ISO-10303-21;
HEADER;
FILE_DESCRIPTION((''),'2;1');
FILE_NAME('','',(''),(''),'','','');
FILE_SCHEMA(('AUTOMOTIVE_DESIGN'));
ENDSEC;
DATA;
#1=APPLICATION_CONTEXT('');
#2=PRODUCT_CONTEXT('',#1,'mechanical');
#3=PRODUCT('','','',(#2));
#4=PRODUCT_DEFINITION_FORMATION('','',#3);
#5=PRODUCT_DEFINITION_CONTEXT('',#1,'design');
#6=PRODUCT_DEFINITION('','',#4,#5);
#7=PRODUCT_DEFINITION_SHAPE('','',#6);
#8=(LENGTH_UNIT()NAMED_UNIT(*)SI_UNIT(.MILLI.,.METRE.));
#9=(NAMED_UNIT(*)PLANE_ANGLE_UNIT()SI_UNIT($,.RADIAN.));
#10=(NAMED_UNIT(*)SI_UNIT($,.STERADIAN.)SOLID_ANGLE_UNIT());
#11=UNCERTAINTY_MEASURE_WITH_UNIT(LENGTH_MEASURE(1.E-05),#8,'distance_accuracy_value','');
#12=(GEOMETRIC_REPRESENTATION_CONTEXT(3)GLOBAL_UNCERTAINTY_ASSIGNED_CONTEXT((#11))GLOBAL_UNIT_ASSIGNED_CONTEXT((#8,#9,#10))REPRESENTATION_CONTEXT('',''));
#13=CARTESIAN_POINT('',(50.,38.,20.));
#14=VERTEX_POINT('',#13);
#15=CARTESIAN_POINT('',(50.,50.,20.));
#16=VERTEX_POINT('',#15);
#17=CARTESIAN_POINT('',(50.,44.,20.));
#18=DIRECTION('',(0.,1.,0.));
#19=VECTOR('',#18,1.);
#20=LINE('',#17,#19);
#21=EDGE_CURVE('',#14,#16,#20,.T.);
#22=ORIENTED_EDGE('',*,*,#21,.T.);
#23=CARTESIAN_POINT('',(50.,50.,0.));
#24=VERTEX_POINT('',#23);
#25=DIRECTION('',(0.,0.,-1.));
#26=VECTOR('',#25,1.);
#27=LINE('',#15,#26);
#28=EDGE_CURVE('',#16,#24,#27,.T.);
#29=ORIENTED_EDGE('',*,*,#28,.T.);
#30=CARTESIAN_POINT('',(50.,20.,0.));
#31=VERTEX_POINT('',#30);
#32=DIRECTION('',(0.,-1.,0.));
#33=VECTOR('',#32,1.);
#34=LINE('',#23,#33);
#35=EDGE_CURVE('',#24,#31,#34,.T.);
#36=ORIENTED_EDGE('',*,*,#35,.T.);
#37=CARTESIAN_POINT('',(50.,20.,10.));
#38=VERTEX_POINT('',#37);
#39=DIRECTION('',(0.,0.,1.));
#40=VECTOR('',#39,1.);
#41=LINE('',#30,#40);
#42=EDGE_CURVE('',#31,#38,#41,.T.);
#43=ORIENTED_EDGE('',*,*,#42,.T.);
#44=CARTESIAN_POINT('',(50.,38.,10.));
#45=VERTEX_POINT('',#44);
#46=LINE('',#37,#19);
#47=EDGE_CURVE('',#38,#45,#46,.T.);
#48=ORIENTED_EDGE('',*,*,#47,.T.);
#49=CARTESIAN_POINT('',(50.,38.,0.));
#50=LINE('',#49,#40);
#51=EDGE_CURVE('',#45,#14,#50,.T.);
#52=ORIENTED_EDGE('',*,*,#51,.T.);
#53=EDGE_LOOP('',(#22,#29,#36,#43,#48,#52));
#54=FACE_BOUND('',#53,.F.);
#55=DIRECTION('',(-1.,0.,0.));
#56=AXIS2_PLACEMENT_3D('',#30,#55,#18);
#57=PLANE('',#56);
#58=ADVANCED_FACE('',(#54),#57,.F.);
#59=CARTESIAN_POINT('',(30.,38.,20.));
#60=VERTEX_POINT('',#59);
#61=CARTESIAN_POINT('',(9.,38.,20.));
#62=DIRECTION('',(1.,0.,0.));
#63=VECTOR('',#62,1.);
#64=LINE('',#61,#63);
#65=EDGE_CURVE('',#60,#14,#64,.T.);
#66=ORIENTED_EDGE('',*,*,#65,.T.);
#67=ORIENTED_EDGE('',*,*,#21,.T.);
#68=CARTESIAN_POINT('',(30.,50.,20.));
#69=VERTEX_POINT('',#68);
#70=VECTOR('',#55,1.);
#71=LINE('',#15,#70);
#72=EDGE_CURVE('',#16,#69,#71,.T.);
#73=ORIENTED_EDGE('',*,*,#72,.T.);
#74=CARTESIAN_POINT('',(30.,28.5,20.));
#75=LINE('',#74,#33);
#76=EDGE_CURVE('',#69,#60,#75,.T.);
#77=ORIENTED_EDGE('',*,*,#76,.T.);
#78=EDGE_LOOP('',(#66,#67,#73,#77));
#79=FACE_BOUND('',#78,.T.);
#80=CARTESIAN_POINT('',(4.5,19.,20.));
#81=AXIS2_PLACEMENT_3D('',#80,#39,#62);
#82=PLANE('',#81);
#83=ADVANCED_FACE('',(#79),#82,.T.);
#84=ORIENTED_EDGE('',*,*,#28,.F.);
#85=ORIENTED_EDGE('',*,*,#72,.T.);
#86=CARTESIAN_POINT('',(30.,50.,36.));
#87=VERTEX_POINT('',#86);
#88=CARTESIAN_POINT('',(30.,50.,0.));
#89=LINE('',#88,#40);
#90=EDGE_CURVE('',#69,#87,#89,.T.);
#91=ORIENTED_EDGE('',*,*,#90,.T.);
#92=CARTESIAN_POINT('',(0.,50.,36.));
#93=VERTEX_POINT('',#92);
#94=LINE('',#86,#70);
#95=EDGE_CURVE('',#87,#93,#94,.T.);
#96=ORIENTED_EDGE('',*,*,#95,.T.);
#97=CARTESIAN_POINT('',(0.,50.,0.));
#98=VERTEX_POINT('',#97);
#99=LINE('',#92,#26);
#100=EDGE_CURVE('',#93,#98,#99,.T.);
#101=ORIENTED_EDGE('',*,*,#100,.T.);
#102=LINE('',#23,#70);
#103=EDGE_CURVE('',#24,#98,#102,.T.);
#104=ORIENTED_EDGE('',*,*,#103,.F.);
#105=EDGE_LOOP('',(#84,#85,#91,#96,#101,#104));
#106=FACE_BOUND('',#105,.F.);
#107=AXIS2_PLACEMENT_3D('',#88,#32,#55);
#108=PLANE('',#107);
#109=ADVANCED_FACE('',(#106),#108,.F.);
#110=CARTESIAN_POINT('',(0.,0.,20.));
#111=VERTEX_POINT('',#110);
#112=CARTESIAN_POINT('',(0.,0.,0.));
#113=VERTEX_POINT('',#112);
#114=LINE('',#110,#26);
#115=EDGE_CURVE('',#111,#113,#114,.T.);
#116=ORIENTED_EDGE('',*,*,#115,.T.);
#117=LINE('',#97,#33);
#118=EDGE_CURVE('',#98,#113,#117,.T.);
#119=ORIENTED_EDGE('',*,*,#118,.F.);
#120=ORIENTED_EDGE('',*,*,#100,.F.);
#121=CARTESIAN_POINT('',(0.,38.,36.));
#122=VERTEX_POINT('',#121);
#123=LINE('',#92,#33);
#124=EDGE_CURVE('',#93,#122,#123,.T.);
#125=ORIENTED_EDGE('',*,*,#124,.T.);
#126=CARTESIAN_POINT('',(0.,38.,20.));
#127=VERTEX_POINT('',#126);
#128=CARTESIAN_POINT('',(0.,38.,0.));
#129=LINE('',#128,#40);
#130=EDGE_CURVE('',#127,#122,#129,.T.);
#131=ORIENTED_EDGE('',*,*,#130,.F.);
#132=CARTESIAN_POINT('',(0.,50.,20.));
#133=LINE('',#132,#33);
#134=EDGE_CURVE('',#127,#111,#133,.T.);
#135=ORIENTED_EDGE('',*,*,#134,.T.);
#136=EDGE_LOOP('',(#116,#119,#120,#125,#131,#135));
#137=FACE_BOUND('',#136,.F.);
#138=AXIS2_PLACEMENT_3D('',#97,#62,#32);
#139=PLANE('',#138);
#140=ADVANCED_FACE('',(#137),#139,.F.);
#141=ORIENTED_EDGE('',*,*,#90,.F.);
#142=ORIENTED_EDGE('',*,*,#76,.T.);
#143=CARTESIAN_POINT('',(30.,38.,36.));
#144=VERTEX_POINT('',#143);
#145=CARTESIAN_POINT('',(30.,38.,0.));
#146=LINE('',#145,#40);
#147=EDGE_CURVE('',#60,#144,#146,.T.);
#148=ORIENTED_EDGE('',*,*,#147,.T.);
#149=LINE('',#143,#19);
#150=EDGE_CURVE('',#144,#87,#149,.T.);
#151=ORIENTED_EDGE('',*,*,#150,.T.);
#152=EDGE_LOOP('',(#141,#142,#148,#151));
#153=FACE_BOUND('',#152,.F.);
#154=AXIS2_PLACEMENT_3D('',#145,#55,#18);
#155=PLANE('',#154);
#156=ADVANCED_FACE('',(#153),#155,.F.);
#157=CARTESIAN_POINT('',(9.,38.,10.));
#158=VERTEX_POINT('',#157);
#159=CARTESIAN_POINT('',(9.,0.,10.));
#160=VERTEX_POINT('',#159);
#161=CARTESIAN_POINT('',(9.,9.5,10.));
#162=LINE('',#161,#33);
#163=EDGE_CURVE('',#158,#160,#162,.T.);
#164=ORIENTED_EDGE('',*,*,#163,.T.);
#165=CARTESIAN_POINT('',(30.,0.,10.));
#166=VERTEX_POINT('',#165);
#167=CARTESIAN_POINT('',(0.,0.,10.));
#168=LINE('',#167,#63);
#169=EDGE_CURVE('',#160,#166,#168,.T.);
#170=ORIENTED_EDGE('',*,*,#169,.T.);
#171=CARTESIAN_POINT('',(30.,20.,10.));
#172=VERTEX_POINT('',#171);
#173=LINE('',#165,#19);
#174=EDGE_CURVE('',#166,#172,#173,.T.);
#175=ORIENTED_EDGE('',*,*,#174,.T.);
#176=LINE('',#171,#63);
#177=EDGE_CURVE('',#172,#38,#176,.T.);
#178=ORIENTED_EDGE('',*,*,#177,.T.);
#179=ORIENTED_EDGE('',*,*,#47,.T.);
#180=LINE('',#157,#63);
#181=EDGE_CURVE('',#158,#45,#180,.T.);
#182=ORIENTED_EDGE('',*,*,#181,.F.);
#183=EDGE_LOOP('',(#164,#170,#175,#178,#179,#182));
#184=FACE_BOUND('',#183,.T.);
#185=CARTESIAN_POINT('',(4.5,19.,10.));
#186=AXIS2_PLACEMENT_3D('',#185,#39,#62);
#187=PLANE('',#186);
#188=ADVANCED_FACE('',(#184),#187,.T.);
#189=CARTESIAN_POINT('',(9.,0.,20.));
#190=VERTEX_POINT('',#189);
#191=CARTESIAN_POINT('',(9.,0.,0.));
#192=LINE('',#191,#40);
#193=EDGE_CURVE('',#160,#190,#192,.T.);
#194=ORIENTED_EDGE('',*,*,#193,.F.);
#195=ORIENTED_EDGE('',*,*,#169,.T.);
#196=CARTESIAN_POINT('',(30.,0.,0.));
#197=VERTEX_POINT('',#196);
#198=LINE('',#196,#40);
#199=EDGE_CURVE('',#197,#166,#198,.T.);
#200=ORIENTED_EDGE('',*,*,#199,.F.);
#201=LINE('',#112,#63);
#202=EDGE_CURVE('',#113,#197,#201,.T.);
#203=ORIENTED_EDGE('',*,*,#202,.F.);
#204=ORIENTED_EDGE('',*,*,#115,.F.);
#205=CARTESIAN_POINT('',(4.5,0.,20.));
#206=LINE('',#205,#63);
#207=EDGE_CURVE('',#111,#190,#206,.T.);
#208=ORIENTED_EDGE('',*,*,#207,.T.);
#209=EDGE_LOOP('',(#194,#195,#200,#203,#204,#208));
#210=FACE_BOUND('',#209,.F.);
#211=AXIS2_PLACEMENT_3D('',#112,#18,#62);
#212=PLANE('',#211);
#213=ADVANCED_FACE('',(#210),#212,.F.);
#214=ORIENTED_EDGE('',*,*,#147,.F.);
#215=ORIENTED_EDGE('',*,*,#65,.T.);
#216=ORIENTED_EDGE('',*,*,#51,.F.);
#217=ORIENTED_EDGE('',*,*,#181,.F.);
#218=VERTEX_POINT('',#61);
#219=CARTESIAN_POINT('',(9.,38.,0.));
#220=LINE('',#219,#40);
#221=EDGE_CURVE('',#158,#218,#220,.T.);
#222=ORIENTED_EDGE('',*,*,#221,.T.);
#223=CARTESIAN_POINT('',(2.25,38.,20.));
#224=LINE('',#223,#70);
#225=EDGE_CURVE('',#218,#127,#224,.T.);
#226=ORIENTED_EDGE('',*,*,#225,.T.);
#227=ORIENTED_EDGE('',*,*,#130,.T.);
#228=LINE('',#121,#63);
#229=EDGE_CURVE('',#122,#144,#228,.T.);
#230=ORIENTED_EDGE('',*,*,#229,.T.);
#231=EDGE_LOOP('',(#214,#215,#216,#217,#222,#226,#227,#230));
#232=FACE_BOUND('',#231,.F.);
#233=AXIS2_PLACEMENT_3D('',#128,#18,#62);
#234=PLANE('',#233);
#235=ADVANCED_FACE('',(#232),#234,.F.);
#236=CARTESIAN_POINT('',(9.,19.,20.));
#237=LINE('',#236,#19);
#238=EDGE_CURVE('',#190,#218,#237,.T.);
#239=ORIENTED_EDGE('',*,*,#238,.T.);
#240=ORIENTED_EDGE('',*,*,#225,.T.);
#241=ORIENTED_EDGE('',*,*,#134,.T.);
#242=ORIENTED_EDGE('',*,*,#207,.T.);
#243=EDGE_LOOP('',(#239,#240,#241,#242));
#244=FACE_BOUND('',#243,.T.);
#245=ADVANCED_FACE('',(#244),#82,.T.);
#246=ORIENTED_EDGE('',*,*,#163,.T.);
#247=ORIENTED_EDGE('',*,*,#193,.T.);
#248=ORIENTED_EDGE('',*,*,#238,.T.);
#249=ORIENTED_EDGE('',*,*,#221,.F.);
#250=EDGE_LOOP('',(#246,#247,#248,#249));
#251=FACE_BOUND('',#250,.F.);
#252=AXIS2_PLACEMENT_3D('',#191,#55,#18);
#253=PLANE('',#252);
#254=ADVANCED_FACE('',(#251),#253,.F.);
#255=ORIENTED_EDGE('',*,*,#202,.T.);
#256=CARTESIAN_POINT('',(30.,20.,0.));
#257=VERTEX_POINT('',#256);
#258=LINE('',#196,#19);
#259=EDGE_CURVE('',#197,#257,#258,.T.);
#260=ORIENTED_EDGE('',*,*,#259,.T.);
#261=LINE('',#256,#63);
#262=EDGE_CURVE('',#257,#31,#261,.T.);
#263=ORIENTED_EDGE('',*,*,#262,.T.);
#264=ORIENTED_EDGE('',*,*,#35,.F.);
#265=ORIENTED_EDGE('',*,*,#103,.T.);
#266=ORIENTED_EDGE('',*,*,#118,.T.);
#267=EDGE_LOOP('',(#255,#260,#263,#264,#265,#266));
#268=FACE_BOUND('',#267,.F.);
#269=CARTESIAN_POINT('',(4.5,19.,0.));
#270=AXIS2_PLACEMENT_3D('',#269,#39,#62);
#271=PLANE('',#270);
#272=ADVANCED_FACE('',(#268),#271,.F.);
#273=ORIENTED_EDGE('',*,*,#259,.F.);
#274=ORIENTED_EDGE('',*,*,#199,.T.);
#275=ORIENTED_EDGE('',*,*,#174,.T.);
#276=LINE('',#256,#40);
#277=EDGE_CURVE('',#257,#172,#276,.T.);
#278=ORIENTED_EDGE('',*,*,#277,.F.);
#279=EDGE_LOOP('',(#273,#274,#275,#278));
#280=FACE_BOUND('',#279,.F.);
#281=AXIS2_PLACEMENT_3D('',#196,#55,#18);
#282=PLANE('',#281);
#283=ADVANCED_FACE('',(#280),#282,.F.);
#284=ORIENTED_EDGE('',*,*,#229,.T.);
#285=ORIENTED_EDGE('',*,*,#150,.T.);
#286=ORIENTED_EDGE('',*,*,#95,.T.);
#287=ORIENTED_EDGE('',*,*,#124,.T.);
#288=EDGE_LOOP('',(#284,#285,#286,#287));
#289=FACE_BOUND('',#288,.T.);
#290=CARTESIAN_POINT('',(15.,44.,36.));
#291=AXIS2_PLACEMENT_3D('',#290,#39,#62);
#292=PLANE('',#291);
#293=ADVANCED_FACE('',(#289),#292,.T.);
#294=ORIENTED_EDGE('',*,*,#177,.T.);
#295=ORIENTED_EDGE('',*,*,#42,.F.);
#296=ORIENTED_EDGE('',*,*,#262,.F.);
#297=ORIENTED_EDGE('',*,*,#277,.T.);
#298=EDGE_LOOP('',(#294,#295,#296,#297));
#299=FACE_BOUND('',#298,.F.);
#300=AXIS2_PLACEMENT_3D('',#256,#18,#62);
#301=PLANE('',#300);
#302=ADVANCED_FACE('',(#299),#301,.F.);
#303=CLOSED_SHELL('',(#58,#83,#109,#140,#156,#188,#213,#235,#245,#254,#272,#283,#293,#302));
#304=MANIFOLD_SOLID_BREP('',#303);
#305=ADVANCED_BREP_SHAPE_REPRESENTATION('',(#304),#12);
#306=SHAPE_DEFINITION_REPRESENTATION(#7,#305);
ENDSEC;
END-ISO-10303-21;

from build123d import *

# Parameters (mm, degrees)
F0_W     = 9
F0_H     = 38
F0_W_2   = 20
F0_H_2   = 12
F1_DEPTH = 10
F2_DEPTH = 20
F3_DEPTH = 36


with BuildPart() as f1:
    # F0 (on Top) → F1 (new body)
    with BuildSketch(Plane.XY):
        with Locations((4.5, 19)):
            Rectangle(F0_W, F0_H)
        with Locations((40, 44)):
            Rectangle(F0_W_2, F0_H_2)
        Polygon((0, 50), (0, 38), (9, 38), (30, 38), (30, 50), align=None)
        Polygon((9, 38), (9, 0), (30, 0), (30, 20), (50, 20), (50, 38), (30, 38), align=None)
    extrude(amount=F1_DEPTH)

    # F0 (on Top) → F2 (join)
    with BuildSketch(Plane.XY):
        with Locations((4.5, 19)):
            Rectangle(F0_W, F0_H)
        Polygon((0, 50), (0, 38), (9, 38), (30, 38), (30, 50), align=None)
        with Locations((40, 44)):
            Rectangle(F0_W_2, F0_H_2)
    extrude(amount=F2_DEPTH)

    # F0 (on Top) → F3 (join)
    with BuildSketch(Plane.XY):
        Polygon((0, 50), (0, 38), (9, 38), (30, 38), (30, 50), align=None)
    extrude(amount=F3_DEPTH)


solid = f1.part
